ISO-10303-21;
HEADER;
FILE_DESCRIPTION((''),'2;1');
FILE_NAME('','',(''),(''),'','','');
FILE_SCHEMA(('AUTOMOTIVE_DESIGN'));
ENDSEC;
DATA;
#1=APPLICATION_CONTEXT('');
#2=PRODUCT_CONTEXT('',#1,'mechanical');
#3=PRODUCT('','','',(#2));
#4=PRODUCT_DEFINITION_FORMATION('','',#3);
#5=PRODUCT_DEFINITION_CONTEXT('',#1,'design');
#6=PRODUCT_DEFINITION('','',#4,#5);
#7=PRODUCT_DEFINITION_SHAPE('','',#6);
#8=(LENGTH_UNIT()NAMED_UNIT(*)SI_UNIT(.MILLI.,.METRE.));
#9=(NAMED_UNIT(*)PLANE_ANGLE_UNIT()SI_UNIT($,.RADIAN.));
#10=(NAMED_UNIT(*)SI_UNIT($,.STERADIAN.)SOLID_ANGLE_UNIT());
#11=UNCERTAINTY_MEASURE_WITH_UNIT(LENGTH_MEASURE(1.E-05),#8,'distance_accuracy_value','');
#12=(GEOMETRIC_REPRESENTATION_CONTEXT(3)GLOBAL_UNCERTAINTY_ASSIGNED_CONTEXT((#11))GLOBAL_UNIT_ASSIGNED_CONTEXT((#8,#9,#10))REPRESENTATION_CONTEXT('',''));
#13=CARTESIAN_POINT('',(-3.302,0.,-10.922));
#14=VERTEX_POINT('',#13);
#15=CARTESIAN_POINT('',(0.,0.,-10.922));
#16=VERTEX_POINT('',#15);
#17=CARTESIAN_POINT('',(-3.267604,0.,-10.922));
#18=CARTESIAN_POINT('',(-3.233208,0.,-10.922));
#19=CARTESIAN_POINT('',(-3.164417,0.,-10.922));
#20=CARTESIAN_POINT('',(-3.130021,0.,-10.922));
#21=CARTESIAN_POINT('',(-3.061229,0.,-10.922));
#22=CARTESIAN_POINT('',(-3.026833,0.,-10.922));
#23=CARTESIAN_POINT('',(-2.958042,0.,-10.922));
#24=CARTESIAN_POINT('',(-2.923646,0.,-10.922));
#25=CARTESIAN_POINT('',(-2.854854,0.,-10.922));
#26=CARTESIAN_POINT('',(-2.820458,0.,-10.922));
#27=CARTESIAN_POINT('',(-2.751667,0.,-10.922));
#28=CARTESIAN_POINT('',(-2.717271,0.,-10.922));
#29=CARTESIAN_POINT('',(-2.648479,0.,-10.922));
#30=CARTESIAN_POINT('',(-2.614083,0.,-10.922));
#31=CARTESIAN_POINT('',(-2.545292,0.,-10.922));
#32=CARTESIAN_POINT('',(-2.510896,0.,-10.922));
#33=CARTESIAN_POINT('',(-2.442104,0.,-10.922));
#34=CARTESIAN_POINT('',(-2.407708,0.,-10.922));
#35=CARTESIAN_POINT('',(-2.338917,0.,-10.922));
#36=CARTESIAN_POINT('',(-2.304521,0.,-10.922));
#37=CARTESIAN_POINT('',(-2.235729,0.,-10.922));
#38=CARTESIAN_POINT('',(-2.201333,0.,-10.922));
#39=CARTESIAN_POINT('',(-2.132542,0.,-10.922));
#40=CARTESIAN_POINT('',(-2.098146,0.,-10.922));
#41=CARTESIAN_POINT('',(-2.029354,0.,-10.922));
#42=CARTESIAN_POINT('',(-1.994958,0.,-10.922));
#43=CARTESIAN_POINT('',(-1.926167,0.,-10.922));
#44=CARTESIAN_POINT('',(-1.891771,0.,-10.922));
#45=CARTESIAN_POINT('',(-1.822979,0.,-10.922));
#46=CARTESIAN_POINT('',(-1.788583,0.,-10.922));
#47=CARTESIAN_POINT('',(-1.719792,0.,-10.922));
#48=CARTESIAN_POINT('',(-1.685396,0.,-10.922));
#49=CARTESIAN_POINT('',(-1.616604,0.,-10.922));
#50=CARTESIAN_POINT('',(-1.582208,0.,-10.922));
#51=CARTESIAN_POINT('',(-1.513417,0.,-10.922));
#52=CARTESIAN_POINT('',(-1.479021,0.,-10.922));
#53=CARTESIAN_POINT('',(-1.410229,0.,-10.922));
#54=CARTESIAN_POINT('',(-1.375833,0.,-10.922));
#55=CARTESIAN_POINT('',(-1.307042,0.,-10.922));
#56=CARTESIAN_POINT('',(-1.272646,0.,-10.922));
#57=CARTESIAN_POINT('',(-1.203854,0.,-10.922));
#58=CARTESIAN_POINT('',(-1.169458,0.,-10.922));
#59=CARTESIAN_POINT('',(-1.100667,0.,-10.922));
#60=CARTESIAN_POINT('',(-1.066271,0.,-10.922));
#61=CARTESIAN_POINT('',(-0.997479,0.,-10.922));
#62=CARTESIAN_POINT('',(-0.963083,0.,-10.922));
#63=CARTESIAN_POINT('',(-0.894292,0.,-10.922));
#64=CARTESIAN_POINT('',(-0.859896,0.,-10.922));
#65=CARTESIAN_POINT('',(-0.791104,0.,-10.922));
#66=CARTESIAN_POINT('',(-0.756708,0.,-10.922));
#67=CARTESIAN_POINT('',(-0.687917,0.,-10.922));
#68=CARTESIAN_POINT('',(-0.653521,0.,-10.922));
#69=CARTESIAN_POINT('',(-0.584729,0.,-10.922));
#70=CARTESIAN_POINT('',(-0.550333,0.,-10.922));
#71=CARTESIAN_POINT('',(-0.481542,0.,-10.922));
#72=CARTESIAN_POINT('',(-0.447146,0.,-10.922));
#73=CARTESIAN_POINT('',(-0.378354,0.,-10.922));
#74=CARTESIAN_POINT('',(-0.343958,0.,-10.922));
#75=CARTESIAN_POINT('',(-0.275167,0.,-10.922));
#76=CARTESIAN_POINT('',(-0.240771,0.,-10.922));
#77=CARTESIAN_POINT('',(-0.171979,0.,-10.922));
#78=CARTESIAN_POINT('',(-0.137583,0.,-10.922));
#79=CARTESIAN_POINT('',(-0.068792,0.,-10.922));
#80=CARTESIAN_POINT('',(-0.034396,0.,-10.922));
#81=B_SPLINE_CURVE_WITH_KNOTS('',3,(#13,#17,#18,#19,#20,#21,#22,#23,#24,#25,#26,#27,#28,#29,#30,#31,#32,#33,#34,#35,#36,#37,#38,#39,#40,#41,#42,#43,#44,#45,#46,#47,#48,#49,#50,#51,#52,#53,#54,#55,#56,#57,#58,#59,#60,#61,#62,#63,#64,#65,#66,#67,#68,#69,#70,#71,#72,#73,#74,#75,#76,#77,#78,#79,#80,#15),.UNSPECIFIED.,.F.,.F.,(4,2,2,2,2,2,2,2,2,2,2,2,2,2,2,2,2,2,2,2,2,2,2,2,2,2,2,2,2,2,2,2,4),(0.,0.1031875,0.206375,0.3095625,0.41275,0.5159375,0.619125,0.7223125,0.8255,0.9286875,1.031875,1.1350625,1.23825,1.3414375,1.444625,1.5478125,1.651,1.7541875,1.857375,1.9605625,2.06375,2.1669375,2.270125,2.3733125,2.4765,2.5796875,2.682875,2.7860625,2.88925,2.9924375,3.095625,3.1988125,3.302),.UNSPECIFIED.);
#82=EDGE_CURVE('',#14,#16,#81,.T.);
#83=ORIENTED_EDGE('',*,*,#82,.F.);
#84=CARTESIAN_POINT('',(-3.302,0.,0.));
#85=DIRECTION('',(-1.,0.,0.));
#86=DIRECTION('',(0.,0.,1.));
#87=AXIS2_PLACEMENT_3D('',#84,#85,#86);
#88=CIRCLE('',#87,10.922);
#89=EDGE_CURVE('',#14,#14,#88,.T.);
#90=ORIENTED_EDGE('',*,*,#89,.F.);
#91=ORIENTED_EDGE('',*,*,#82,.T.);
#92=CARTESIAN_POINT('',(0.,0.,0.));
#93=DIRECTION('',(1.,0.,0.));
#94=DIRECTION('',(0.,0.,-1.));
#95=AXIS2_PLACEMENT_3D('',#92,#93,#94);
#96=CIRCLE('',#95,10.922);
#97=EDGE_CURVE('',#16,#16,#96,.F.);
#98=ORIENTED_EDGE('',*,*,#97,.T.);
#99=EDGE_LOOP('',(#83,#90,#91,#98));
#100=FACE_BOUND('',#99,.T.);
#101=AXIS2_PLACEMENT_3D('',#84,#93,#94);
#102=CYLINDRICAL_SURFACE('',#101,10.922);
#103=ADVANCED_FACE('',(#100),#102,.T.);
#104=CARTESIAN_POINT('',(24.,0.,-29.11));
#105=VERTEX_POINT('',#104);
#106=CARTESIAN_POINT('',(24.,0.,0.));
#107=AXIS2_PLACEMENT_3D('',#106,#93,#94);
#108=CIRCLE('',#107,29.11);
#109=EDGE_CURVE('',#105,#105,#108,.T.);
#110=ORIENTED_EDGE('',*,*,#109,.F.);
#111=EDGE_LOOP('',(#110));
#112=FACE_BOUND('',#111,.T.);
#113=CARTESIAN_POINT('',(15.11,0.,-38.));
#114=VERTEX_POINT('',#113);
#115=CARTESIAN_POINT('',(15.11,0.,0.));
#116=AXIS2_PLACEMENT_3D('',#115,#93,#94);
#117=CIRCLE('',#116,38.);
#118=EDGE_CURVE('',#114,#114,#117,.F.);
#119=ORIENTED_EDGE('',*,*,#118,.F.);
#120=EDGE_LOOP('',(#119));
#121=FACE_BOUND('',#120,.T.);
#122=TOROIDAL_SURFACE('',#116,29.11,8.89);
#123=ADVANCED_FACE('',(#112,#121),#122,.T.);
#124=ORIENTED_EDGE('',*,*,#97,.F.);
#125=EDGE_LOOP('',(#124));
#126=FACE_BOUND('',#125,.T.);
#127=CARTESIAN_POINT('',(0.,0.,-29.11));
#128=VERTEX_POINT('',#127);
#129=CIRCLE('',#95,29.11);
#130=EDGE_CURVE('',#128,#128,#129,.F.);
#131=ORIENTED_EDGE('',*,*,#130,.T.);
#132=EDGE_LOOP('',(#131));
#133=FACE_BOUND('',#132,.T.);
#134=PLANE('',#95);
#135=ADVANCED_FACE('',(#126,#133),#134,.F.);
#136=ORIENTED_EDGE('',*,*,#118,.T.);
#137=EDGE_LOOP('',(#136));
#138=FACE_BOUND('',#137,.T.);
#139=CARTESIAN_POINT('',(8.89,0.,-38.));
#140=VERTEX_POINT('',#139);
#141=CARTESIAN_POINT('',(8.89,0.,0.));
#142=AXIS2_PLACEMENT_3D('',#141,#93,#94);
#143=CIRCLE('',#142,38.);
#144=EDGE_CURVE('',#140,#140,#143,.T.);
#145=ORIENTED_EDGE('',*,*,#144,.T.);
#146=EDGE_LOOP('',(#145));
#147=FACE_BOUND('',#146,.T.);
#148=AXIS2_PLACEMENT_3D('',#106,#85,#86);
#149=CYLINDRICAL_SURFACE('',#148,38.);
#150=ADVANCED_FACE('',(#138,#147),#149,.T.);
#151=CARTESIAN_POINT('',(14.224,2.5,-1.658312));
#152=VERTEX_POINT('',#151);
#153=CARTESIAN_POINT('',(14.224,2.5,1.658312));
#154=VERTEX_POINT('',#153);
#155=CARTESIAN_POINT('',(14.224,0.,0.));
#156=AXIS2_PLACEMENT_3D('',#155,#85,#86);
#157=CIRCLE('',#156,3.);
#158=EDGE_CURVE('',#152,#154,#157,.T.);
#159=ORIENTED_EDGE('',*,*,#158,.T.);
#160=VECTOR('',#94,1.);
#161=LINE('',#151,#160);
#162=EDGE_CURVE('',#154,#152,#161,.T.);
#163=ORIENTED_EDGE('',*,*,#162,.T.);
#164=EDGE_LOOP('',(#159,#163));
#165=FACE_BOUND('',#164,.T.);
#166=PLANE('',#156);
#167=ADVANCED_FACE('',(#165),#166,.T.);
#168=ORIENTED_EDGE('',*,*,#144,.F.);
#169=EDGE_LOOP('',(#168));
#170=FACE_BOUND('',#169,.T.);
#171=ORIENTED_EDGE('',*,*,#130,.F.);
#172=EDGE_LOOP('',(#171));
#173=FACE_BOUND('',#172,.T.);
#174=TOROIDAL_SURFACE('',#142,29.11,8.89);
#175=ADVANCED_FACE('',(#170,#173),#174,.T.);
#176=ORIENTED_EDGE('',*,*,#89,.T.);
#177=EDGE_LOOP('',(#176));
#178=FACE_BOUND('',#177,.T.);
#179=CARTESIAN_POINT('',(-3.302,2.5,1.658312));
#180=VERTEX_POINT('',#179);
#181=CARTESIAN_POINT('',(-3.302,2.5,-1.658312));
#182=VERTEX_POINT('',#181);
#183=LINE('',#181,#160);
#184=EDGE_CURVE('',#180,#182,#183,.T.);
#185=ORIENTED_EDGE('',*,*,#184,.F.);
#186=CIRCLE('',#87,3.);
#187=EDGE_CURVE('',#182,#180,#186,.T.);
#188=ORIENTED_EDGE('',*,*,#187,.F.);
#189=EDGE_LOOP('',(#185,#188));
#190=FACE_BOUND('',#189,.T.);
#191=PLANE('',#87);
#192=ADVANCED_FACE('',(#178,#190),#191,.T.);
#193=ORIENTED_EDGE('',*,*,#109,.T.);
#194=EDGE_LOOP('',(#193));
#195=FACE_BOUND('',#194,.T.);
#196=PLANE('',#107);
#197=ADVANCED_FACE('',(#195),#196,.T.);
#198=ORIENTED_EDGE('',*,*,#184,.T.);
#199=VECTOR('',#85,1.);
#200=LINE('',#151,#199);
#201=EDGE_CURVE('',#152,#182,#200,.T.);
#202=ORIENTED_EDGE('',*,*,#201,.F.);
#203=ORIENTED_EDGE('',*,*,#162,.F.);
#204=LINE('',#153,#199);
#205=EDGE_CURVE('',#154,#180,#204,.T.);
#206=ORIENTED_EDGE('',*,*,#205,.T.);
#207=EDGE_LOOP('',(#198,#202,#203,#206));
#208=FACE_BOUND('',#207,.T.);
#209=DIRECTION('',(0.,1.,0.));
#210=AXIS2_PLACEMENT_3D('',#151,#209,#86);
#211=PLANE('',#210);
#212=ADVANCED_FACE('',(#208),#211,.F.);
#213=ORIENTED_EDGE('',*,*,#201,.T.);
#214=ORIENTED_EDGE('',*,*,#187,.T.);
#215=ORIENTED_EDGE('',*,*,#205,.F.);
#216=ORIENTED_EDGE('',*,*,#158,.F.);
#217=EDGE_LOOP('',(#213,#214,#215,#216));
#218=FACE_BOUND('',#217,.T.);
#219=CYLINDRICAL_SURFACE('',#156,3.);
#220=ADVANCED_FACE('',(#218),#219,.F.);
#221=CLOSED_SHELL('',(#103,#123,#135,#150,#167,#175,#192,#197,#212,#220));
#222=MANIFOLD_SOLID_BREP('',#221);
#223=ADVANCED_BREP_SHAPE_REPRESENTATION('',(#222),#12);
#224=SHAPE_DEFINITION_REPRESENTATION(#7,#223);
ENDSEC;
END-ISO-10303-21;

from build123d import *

# Parameters (mm, degrees)
SKETCH1_R           = 38
BOSS_EXTRUDE1_DEPTH = 24
FILLET1_R           = 8.89
SKETCH4_R           = 10.922
BOSS_EXTRUDE2_DEPTH = 3.302
CUT_EXTRUDE3_DEPTH  = 17.526


with BuildPart() as part:
    # Sketch1 → Boss-Extrude1 (new body)
    with BuildSketch(Plane(origin=(0, 0, 0), x_dir=(0, 0, -1), z_dir=(1, 0, 0))):
        Circle(SKETCH1_R)
    extrude(amount=BOSS_EXTRUDE1_DEPTH)

    # Fillet1
    fillet1_edges = [part.edges().sort_by_distance(p)[0] for p in [
        (0, 0, 38),
        (24, 0, 38),
    ]]
    fillet(fillet1_edges, radius=FILLET1_R)

    # Sketch4 → Boss-Extrude2 (add)
    with BuildSketch(Plane.ZY):
        with Locations(Location((0, 0, 0), (0, 0, 180))):
            Circle(SKETCH4_R)
    extrude(amount=BOSS_EXTRUDE2_DEPTH)

    # Sketch5 → Cut-Extrude3 (cut)
    with BuildSketch(Plane.ZY.offset(3.302)):
        with BuildLine():
            Line((-1.658312395, 2.5), (1.658312395, 2.5))
            ThreePointArc((1.658312395, 2.5), (0, -3), (-1.658312395, 2.5))
        make_face()
    extrude(amount=-CUT_EXTRUDE3_DEPTH, mode=Mode.SUBTRACT)


solid = part.part
